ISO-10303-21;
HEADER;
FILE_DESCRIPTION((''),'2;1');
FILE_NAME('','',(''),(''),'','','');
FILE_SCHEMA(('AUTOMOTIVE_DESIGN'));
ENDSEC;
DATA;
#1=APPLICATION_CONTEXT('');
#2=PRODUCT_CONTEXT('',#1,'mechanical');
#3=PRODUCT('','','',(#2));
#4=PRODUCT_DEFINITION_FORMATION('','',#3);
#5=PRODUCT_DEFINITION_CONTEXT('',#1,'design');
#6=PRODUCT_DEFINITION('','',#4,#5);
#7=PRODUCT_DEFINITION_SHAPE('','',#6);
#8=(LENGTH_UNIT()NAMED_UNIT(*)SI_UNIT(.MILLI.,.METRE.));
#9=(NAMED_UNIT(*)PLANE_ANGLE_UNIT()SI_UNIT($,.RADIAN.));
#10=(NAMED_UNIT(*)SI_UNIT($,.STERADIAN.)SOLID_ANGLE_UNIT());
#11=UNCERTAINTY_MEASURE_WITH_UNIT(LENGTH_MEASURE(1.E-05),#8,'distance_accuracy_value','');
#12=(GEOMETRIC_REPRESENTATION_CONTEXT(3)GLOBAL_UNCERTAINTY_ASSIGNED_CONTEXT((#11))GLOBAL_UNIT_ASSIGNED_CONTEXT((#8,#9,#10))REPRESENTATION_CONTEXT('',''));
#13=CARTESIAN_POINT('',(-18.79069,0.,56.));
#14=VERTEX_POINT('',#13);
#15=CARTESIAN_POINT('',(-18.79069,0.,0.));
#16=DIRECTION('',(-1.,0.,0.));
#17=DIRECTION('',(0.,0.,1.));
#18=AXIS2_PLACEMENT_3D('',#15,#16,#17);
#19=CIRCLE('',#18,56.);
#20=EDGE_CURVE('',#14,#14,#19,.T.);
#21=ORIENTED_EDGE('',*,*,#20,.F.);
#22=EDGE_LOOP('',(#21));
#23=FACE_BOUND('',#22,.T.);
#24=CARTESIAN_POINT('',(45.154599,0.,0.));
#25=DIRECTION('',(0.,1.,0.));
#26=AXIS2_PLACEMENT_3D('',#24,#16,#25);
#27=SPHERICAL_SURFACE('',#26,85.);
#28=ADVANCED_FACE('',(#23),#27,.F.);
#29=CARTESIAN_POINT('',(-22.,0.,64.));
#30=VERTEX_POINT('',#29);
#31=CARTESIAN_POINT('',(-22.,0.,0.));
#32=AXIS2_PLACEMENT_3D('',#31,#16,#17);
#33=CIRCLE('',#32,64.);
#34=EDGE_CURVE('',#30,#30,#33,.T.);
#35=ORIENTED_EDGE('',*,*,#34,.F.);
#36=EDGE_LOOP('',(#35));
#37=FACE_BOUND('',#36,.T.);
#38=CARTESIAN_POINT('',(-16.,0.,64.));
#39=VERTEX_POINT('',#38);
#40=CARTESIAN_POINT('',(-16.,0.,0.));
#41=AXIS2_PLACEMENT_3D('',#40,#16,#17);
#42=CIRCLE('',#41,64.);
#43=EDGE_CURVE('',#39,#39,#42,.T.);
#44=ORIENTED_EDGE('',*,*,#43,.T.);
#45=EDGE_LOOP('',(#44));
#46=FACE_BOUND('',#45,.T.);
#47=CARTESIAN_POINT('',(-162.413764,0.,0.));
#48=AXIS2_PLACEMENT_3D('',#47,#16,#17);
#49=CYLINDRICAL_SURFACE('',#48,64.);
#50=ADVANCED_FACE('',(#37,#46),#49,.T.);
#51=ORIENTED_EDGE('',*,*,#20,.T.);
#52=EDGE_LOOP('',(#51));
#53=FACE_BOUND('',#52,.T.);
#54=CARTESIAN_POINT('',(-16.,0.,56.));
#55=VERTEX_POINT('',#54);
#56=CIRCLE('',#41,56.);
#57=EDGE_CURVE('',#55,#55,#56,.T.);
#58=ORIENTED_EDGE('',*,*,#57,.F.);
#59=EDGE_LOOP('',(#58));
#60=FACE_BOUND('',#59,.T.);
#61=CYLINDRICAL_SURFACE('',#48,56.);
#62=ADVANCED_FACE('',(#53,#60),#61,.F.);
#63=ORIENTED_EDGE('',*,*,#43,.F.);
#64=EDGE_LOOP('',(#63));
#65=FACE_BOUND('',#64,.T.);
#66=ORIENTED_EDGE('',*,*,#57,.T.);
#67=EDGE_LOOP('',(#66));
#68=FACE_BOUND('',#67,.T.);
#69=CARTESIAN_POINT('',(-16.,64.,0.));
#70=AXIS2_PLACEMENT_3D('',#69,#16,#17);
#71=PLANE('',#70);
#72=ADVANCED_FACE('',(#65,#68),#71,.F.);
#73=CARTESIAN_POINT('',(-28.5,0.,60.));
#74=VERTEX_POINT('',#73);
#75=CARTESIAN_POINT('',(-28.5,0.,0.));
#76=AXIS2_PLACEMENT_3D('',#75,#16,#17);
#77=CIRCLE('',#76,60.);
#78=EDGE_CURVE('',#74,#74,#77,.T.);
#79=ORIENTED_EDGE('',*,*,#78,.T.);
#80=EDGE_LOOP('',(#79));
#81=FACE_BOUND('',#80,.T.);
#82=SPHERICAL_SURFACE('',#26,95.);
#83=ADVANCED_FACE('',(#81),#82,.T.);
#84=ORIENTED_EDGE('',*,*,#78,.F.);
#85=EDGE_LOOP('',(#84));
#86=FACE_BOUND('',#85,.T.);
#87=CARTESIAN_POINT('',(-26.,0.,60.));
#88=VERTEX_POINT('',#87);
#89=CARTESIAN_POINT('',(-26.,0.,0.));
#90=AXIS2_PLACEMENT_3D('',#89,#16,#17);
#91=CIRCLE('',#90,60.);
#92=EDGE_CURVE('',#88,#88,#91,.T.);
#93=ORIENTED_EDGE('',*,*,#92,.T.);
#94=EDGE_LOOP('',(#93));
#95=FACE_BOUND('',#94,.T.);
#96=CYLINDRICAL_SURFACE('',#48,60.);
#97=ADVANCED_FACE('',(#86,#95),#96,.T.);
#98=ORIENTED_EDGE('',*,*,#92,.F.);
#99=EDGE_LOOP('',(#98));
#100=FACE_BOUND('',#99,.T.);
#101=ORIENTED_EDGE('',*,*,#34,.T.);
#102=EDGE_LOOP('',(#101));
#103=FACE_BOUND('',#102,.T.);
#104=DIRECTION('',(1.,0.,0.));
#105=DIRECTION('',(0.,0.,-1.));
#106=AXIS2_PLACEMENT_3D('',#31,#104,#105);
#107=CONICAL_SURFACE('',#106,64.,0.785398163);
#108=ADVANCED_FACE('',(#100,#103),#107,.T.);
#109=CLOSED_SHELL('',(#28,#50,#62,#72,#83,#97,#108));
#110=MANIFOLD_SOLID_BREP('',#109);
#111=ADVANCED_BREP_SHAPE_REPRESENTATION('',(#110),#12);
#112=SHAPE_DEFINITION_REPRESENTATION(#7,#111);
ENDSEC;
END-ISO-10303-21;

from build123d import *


with BuildPart() as part:
    # Sketch1 → Revolve1 (revolve)
    with BuildSketch(Plane.XY):
        with BuildLine():
            Line((-28.5, 60), (-26, 60))
            Line((-26, 60), (-22, 64))
            Line((-22, 64), (-16, 64))
            Line((-16, 64), (-16, 56))
            Line((-16, 56), (-18.790689802, 56))
            ThreePointArc((-18.790689802, 56), (-34.407796248, 29.913629212), (-39.845400687, 0))
            Line((-39.845400687, 0), (-49.845400687, 0))
            ThreePointArc((-49.845400687, 0), (-44.350112671, 31.841899011), (-28.5, 60))
        make_face()
    revolve(axis=Axis((-162.413763562, 0, 0), (1, 0, 0)))


solid = part.part
